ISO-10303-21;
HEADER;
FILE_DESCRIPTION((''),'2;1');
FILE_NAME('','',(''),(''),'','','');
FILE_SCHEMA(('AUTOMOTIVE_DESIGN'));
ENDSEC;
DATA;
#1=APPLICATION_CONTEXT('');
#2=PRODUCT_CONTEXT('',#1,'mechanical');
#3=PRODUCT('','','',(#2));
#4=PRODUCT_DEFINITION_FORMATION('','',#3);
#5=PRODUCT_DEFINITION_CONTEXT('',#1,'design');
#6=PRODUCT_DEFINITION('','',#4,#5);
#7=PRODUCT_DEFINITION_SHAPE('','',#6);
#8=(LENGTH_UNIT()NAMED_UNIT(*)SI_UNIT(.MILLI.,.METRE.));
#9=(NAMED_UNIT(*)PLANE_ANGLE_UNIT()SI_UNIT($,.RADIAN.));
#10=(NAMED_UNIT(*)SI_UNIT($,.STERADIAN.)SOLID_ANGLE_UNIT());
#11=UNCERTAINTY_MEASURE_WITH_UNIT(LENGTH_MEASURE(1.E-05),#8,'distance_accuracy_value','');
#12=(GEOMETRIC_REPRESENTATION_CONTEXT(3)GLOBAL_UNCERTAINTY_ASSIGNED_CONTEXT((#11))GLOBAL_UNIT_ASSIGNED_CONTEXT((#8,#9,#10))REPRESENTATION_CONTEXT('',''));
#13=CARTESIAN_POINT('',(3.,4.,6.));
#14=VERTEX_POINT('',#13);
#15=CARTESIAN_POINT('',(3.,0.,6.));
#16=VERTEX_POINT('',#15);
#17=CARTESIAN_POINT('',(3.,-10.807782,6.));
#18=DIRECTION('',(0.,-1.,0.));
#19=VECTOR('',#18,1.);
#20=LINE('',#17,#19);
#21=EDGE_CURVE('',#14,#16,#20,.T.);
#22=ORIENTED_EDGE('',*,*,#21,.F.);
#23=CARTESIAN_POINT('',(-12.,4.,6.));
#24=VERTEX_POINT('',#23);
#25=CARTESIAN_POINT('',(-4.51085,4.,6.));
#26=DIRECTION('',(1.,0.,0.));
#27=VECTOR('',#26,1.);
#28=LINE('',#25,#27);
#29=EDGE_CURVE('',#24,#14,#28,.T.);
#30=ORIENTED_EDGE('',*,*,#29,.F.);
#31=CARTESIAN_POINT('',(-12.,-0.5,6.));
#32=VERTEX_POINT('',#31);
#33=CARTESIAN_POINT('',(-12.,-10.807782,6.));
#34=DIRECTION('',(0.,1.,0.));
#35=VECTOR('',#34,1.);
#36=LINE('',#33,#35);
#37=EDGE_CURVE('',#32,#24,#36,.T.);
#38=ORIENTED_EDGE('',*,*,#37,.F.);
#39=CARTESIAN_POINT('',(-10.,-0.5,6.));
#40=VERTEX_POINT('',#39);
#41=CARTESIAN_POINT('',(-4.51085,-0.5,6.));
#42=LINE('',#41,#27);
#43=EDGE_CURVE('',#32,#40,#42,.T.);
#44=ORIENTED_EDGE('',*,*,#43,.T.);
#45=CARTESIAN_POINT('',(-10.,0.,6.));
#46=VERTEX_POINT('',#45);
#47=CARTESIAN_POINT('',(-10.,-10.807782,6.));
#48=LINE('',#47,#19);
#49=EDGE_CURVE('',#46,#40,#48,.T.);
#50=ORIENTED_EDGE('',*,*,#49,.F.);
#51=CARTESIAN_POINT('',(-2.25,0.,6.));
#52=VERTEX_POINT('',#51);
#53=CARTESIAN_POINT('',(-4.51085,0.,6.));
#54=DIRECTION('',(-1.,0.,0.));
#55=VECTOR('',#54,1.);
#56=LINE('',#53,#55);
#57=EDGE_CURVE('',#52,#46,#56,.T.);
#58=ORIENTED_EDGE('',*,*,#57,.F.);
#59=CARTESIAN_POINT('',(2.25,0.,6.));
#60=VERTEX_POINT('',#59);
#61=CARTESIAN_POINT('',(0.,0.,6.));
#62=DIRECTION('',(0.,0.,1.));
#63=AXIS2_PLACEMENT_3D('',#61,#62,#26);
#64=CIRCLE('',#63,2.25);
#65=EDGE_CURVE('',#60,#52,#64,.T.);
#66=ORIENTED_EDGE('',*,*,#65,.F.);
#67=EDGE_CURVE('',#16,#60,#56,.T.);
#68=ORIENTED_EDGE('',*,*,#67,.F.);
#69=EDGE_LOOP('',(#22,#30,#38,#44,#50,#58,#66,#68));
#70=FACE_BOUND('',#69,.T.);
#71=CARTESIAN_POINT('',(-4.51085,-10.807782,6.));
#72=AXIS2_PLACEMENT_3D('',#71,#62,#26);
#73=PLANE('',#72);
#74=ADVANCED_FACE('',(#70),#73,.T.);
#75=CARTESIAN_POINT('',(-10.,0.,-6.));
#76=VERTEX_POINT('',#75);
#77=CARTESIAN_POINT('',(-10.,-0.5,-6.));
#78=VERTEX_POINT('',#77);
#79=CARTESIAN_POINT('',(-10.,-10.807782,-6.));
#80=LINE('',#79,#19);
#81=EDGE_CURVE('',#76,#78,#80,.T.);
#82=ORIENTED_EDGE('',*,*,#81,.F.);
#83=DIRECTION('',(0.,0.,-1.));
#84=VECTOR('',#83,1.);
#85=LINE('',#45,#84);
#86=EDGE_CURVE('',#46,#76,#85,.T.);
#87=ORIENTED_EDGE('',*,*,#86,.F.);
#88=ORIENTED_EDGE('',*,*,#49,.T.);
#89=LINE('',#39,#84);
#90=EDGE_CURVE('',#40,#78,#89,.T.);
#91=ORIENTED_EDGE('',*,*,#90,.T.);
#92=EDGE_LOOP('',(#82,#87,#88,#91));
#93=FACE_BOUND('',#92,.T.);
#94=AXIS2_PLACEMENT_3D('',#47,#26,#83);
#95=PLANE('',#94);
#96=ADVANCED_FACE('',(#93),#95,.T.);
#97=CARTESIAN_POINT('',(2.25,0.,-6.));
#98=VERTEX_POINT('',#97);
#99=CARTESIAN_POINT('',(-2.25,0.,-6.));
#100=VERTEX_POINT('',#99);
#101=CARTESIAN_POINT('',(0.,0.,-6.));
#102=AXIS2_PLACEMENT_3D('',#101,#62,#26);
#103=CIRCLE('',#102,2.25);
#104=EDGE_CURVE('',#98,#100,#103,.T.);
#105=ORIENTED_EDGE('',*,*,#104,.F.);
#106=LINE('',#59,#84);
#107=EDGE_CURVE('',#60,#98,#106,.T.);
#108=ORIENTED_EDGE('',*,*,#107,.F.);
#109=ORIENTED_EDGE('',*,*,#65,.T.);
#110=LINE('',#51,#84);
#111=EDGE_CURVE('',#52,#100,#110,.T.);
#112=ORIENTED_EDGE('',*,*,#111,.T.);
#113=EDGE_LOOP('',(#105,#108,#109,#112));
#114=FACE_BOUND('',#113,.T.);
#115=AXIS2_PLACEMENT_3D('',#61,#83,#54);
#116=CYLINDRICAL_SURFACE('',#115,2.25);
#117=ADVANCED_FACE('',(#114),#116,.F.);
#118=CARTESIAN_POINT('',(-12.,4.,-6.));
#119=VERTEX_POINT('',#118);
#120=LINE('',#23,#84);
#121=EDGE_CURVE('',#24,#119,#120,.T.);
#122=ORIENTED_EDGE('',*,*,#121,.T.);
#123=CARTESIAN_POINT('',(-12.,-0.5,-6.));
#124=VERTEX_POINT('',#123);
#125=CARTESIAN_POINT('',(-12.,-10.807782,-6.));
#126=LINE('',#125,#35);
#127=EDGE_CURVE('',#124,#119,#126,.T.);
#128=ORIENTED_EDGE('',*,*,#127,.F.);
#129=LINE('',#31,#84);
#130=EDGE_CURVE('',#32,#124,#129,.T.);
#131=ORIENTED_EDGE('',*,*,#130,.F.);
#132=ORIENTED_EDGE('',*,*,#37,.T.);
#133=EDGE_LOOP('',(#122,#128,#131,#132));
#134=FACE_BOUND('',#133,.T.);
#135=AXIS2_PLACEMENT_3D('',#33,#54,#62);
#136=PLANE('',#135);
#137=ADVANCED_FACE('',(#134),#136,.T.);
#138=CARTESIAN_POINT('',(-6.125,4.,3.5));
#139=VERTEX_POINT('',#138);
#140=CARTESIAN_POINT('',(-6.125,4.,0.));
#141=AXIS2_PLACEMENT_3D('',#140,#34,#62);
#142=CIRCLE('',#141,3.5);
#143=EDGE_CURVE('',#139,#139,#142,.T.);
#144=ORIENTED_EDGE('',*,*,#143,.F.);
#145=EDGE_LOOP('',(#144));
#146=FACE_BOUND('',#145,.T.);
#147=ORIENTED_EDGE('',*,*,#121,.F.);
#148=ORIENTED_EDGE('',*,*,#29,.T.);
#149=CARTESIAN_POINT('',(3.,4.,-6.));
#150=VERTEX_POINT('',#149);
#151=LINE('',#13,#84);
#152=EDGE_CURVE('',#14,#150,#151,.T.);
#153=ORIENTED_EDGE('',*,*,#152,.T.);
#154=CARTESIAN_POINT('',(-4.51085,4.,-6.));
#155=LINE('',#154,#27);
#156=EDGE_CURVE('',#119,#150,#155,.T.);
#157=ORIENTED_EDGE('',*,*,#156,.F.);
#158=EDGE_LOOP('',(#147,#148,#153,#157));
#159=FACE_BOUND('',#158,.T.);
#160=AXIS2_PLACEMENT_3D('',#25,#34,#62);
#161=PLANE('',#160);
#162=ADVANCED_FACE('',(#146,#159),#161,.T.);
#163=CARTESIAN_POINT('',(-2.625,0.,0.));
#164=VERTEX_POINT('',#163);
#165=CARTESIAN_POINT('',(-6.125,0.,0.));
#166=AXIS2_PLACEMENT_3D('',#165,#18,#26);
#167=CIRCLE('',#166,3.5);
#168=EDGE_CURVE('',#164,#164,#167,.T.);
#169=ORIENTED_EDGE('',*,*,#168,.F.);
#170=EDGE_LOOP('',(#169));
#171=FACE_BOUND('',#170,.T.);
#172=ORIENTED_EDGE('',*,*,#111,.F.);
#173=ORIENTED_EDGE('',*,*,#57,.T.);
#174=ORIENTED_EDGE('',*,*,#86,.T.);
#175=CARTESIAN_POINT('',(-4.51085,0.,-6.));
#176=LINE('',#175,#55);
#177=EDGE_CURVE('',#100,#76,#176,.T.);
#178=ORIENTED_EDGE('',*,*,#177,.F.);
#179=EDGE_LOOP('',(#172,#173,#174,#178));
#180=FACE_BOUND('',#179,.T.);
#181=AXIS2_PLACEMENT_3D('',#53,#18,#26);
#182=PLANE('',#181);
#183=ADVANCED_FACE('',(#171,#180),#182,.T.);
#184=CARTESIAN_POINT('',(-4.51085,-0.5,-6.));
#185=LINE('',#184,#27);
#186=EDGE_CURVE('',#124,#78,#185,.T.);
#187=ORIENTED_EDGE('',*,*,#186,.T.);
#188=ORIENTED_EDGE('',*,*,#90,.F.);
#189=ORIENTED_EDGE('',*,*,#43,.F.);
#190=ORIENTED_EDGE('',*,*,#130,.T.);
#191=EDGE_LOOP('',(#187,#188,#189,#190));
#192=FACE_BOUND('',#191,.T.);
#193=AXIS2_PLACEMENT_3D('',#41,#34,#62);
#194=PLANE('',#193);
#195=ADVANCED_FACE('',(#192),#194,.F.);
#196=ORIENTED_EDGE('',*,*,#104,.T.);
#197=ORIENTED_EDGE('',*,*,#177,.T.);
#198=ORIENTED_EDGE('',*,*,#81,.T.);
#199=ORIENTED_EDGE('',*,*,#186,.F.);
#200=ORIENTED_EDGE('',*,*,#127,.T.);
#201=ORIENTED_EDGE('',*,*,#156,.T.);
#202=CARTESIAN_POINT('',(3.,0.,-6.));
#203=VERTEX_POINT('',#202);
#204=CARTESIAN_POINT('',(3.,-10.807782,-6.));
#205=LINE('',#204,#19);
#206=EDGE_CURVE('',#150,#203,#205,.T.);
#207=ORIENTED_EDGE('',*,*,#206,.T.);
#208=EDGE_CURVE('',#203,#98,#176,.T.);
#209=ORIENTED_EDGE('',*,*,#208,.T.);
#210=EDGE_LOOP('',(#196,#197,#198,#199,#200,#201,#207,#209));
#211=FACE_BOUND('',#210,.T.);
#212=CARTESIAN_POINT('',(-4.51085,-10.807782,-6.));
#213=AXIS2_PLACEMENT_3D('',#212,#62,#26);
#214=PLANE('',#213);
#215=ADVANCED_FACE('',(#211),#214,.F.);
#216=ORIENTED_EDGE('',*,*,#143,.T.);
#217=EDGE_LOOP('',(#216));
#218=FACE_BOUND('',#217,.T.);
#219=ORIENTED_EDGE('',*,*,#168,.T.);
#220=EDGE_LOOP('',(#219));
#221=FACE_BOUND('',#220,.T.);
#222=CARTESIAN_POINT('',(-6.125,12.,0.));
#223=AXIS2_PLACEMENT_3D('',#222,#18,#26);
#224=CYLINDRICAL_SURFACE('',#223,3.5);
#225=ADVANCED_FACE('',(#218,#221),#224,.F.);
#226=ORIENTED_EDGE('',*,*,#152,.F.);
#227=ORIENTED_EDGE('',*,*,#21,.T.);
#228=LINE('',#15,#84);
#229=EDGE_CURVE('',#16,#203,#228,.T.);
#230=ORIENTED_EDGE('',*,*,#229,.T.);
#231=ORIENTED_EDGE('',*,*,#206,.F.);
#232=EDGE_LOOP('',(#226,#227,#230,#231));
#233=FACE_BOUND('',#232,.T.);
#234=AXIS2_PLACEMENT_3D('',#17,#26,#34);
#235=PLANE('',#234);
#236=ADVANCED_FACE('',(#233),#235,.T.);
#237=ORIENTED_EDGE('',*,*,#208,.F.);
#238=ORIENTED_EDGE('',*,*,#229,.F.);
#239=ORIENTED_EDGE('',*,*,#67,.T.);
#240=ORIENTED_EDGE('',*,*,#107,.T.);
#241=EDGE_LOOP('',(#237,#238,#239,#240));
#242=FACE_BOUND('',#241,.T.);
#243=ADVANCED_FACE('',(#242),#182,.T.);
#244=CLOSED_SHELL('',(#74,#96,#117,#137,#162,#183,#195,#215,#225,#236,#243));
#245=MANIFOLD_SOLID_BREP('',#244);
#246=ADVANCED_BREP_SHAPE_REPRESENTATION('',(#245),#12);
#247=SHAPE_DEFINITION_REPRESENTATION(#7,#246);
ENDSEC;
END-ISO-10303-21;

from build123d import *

# Parameters (mm, degrees)
EXTRUS_O1_DEPTH       = 6
ESBO_O2_R             = 3.5
CORTE_EXTRUS_O1_DEPTH = 12


with BuildPart() as part:
    # Esboço1 → Extrusão1 (new, symmetric)
    with BuildSketch(Plane.XY):
        with BuildLine():
            Line((-10, -0.5), (-10, 0))
            Line((-10, 0), (-2.25, 0))
            ThreePointArc((-2.25, 0), (0, 2.25), (2.25, 0))
            Line((2.25, 0), (3, 0))
            Line((3, 0), (3, 4))
            Line((3, 4), (-12, 4))
            Line((-12, 4), (-12, -0.5))
            Line((-12, -0.5), (-10, -0.5))
        make_face()
    extrude(amount=EXTRUS_O1_DEPTH, both=True)

    # Esboço2 → Corte-extrusão1 (cut)
    with BuildSketch(Plane.XZ):
        with Locations((-6.125, 0)):
            Circle(ESBO_O2_R)
    extrude(amount=-CORTE_EXTRUS_O1_DEPTH, mode=Mode.SUBTRACT)


solid = part.part
